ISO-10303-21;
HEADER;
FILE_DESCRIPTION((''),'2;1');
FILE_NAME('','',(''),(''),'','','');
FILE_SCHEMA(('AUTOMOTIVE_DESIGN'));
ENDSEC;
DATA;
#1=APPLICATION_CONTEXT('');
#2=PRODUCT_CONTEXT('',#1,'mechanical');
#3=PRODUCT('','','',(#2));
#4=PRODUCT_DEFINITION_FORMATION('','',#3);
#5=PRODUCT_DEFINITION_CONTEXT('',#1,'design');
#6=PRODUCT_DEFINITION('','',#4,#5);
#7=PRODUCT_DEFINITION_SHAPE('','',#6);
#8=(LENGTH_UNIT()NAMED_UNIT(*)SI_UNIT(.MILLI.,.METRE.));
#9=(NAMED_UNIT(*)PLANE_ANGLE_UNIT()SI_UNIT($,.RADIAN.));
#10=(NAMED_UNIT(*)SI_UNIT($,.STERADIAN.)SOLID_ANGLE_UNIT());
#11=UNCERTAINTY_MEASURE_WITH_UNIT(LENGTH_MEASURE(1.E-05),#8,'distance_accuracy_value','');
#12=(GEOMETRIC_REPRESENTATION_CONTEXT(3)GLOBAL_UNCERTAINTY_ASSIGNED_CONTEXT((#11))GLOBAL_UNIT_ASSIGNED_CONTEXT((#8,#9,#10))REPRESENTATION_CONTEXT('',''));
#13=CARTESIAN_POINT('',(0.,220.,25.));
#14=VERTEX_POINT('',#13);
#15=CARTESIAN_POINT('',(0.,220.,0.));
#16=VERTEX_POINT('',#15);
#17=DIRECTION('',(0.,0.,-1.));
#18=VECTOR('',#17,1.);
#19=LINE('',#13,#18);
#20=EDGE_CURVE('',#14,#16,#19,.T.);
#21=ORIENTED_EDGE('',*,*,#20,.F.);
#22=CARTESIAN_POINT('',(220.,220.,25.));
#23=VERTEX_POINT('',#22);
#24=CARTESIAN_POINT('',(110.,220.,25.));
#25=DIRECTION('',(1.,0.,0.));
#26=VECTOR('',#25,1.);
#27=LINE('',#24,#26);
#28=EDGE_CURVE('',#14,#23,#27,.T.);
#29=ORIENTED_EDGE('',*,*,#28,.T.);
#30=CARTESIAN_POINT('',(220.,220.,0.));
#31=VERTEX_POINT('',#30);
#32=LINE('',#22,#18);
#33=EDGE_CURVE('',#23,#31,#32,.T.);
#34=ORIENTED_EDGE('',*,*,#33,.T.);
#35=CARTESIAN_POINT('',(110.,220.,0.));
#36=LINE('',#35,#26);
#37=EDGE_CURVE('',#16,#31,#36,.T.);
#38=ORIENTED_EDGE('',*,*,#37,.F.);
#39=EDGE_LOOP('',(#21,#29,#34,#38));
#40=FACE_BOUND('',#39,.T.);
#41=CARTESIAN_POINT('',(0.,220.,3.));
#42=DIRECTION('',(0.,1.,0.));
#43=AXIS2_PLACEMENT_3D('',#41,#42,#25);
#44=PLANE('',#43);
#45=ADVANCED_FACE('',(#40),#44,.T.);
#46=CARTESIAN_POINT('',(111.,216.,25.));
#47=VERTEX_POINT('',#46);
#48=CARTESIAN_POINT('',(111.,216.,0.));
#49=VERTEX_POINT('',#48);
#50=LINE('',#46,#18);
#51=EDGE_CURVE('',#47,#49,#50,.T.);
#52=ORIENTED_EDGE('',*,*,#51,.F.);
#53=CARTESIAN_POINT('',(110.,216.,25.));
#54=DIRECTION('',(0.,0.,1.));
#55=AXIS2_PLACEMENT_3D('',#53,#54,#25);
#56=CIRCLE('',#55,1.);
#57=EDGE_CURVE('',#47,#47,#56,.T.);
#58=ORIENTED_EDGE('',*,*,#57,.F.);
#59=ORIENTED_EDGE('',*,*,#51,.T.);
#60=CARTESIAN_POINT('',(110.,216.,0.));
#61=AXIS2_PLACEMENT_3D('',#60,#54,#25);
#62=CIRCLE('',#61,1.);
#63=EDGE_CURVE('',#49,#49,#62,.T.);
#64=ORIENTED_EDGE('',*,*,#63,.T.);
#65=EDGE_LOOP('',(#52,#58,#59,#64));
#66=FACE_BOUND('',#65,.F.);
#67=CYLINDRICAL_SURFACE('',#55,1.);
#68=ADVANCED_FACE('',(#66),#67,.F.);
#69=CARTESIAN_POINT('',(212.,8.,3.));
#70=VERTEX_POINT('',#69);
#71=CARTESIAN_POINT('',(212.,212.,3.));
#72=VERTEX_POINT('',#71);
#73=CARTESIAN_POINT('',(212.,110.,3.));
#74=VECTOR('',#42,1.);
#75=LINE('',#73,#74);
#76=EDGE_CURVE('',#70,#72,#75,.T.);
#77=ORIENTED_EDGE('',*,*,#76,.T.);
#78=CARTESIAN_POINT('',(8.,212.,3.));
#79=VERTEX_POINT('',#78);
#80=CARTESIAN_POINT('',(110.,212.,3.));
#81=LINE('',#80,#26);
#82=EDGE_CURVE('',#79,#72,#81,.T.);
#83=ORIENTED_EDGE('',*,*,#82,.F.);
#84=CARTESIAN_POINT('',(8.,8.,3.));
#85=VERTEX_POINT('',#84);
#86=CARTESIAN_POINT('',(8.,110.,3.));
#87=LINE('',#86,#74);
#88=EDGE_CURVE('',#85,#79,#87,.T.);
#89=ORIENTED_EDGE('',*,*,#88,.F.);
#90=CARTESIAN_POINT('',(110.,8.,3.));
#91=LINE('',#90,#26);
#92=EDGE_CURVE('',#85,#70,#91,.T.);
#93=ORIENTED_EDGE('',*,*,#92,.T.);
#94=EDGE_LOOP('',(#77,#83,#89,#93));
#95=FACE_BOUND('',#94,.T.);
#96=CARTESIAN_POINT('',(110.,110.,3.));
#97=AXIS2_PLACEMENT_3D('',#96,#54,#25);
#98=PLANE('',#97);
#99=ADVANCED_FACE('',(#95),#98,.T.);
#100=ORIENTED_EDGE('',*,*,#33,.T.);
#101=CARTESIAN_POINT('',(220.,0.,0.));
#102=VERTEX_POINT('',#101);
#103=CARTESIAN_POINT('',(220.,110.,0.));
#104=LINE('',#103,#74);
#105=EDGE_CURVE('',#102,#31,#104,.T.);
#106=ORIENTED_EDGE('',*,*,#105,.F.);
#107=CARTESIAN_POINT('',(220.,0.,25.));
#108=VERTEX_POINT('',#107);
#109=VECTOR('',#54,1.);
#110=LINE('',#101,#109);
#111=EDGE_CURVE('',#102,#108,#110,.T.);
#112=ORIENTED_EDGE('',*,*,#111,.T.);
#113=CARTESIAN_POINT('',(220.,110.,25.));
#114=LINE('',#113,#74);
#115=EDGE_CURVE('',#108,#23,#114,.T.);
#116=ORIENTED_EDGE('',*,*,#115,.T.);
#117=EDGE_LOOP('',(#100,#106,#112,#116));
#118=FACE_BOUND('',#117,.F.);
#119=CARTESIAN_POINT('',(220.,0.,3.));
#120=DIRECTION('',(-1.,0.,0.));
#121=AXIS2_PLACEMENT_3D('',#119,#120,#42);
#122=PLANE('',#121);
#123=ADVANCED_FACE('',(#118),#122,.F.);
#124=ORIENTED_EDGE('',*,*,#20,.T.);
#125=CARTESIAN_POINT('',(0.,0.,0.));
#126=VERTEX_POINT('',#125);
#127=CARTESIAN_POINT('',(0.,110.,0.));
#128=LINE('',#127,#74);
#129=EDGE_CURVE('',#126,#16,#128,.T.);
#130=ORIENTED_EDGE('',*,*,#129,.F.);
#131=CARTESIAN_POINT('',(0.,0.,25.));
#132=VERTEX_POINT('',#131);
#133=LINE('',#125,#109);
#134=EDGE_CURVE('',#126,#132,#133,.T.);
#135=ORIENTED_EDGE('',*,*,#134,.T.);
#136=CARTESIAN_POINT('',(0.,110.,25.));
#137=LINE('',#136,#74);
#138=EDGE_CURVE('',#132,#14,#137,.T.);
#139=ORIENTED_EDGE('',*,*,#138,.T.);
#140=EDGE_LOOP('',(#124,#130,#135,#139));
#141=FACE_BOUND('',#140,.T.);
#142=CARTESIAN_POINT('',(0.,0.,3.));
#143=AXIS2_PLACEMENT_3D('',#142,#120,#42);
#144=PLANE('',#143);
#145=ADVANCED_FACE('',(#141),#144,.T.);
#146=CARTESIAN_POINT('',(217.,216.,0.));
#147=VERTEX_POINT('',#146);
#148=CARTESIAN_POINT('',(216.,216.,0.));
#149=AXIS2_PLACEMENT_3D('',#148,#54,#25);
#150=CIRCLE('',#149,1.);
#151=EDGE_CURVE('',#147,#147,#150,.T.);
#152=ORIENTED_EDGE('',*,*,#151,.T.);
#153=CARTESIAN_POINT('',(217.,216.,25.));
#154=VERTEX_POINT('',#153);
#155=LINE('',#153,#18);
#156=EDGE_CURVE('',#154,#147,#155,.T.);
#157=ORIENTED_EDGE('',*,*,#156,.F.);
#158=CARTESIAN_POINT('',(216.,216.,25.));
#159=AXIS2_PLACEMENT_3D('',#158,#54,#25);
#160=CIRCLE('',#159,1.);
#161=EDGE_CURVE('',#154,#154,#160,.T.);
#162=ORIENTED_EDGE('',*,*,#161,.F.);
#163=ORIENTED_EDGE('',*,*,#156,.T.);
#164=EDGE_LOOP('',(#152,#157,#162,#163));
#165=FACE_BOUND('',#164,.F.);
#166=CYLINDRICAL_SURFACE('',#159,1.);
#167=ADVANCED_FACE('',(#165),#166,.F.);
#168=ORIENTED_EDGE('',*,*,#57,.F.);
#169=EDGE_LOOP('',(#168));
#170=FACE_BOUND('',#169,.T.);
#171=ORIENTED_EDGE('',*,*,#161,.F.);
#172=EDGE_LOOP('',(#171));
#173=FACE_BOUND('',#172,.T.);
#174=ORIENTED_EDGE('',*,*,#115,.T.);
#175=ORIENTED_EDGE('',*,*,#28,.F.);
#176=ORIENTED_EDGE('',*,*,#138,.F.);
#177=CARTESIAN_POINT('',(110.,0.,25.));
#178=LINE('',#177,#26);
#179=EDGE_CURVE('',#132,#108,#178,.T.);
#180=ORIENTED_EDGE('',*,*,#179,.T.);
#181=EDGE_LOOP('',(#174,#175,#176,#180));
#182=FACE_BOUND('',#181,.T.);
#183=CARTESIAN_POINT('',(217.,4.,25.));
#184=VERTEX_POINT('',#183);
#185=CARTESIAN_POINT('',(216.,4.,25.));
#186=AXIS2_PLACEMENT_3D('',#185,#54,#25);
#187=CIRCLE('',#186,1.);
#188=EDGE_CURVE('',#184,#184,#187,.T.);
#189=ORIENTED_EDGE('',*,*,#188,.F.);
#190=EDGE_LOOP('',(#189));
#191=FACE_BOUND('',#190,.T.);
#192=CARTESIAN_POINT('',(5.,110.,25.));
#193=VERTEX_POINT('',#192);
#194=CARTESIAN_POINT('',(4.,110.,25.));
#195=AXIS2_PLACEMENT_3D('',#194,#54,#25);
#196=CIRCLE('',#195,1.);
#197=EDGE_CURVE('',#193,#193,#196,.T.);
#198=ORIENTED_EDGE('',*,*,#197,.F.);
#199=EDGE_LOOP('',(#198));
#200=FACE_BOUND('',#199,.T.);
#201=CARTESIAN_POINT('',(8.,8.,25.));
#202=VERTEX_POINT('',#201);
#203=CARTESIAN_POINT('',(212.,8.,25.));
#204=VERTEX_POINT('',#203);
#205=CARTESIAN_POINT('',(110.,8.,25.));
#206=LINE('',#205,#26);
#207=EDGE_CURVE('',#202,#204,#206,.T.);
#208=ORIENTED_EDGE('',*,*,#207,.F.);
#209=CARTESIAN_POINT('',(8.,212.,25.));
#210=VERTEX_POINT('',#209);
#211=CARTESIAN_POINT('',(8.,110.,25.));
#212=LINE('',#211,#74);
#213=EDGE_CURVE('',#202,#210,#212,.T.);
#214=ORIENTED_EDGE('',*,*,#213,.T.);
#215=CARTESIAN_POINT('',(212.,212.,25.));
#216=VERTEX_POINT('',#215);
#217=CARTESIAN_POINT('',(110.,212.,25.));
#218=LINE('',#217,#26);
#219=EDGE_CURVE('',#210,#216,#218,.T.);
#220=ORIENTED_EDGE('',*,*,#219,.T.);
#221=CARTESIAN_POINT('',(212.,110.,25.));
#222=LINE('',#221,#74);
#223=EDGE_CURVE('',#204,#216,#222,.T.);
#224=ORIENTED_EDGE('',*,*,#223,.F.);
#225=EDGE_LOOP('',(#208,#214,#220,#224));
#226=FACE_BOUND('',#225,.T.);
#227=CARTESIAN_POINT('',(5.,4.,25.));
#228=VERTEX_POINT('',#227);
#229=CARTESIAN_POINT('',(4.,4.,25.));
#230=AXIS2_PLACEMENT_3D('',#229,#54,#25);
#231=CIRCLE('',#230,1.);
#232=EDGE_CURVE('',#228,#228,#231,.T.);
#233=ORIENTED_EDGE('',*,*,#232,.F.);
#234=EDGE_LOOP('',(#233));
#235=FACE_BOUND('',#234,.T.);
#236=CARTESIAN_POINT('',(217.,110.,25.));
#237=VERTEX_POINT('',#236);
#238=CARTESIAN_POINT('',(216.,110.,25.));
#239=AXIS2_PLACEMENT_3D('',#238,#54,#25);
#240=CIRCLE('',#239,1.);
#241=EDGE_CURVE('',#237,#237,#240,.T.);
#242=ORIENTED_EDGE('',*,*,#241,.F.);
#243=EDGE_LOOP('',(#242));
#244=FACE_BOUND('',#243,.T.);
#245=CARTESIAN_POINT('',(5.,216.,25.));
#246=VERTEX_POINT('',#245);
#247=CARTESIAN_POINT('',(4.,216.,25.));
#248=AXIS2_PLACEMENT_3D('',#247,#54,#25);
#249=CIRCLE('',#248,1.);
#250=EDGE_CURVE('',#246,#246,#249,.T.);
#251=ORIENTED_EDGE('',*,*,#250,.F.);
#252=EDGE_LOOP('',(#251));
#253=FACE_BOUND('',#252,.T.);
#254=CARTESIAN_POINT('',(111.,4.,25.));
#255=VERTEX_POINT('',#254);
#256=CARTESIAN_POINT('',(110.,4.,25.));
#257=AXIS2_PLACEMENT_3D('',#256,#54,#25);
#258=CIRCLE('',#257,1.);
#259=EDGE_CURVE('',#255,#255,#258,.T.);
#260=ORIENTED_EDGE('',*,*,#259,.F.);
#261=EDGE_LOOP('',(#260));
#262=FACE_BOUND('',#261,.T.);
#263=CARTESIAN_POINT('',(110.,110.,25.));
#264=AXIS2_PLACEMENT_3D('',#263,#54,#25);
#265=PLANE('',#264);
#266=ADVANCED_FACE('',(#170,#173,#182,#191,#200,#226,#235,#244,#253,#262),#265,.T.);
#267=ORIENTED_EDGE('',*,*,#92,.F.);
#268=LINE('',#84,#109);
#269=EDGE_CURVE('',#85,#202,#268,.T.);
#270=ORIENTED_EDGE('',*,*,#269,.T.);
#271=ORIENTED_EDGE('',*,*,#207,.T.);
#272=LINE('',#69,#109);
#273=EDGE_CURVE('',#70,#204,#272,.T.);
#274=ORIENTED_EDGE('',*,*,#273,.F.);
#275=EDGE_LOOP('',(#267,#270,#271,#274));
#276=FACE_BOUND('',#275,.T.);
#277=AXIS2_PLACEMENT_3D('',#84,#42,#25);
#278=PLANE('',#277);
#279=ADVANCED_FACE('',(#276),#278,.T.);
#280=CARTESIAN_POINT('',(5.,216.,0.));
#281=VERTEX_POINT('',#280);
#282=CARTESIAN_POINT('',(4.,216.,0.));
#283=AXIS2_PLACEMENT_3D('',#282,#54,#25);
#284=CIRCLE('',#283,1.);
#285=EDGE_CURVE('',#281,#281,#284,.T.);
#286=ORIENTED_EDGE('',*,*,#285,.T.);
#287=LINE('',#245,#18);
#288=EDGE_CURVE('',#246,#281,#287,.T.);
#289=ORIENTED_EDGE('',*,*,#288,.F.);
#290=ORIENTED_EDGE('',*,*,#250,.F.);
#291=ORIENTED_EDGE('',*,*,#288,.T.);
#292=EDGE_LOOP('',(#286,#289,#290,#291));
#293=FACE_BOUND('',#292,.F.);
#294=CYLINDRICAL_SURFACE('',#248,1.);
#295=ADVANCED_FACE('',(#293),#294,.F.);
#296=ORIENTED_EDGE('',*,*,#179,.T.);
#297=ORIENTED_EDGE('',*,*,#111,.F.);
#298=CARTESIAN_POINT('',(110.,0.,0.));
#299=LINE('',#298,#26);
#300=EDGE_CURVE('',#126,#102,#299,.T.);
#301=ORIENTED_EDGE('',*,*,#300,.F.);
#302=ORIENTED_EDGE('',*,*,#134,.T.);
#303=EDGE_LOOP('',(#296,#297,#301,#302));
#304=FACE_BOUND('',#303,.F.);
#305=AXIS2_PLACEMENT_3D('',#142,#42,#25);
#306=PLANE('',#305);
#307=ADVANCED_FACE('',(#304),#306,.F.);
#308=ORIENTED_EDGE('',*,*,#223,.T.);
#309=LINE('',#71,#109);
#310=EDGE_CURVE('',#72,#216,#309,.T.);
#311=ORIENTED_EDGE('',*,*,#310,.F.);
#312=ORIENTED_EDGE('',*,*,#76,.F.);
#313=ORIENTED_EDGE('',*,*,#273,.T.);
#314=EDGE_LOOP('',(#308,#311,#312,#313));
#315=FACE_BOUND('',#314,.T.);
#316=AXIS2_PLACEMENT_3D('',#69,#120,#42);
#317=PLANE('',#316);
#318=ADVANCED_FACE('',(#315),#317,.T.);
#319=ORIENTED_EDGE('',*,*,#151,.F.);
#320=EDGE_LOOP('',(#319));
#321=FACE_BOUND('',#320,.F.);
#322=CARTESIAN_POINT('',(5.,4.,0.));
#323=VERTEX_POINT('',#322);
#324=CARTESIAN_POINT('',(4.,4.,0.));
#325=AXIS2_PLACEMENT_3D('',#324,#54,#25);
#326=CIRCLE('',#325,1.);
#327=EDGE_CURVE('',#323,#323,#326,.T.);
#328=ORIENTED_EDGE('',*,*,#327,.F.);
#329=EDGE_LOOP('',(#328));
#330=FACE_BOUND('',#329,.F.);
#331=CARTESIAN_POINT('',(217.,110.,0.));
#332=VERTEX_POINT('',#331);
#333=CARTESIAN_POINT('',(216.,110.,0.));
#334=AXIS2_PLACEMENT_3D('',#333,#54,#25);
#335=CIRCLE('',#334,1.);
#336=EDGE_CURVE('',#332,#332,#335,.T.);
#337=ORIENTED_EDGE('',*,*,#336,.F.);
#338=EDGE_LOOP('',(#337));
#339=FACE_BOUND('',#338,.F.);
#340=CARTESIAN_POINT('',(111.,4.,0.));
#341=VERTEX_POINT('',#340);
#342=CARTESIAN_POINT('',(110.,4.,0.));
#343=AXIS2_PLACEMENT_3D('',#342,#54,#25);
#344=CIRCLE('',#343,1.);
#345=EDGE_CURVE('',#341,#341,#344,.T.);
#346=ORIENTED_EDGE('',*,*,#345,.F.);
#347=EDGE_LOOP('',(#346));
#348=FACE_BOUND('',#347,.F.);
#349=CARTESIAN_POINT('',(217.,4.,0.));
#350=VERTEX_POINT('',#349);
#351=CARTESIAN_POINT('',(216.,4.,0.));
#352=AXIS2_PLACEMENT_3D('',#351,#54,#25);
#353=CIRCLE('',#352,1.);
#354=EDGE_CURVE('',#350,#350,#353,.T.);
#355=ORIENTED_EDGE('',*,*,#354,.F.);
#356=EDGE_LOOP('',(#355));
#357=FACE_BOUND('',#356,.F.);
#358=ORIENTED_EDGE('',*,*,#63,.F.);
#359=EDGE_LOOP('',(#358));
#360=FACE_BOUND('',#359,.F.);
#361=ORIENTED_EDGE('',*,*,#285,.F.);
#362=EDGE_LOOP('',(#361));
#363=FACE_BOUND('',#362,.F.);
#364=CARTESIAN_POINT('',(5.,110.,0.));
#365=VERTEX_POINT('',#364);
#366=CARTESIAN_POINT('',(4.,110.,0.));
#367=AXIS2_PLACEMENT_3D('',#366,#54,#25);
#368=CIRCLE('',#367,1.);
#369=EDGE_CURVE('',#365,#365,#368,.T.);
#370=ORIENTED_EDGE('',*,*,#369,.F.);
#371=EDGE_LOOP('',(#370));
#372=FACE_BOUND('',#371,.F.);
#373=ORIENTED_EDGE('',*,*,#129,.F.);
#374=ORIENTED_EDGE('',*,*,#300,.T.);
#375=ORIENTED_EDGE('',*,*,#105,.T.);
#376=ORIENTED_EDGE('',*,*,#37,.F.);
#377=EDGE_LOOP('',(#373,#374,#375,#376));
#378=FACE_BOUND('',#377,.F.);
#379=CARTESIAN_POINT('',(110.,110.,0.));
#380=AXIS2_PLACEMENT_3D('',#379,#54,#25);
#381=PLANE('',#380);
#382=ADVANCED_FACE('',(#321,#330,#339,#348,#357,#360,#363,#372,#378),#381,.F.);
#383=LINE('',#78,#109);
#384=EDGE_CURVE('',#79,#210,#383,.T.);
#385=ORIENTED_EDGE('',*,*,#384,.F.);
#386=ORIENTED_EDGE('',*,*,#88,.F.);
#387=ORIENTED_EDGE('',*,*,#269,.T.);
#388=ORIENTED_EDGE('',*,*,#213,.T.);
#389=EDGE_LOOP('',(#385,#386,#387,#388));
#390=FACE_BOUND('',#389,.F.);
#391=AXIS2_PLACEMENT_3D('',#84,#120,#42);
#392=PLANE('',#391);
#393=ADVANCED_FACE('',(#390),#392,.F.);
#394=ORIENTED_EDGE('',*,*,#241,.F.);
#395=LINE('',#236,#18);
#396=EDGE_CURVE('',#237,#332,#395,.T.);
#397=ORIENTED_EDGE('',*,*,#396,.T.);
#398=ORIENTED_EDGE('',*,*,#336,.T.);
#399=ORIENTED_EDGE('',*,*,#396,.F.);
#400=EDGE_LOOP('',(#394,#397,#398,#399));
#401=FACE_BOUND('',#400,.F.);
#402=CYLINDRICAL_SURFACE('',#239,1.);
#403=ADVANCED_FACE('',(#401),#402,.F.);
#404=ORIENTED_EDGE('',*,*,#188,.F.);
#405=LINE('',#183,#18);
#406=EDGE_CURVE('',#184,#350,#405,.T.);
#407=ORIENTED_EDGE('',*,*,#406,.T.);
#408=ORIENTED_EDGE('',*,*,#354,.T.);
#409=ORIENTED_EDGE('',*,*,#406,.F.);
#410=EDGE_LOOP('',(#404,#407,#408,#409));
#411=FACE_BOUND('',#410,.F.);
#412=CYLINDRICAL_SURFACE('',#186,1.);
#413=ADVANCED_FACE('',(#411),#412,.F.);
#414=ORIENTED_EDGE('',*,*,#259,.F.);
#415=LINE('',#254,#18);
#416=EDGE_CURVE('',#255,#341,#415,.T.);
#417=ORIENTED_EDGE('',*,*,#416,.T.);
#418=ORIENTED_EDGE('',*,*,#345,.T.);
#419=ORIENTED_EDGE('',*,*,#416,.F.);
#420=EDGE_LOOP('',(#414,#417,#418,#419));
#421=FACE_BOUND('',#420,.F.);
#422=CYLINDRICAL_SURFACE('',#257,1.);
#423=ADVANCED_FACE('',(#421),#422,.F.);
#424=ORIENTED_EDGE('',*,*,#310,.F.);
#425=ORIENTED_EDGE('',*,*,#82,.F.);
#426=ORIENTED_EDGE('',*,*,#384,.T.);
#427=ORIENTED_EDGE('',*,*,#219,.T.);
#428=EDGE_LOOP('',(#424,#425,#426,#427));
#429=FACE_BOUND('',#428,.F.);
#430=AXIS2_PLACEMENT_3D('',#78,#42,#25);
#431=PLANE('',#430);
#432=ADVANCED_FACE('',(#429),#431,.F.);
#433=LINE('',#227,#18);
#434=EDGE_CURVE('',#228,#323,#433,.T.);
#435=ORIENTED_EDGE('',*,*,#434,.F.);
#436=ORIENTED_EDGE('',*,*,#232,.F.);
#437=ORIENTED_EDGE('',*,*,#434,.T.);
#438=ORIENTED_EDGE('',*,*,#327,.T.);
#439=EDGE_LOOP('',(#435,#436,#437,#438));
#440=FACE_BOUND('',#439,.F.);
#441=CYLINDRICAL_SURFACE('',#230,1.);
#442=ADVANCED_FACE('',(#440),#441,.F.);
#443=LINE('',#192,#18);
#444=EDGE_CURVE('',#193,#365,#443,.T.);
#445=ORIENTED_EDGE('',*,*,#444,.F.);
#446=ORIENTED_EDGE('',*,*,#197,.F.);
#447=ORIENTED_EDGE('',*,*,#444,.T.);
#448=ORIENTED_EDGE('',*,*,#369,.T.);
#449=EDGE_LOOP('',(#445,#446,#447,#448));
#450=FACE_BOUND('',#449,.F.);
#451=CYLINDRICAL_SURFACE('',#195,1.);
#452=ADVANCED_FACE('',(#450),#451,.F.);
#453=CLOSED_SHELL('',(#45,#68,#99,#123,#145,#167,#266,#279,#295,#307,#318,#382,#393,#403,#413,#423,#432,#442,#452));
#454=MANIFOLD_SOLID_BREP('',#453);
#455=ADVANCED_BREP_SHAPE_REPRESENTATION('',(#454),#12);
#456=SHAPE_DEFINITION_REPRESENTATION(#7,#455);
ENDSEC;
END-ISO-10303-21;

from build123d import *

# Parameters (mm, degrees)
SKETCH1_W           = 220
SKETCH1_H           = 220
BOSS_EXTRUDE1_DEPTH = 3
SKETCH2_W           = 220
SKETCH2_H           = 220
SKETCH2_W_2         = 204
SKETCH2_H_2         = 204
BOSS_EXTRUDE3_DEPTH = 22
SKETCH3_R           = 1
CUT_EXTRUDE1_DEPTH  = 313.1297807


with BuildPart() as part:
    # Sketch1 → Boss-Extrude1 (new body)
    with BuildSketch(Plane.XY):
        with Locations((110, 110)):
            Rectangle(SKETCH1_W, SKETCH1_H)
    extrude(amount=BOSS_EXTRUDE1_DEPTH)

    # Sketch2 → Boss-Extrude3 (add)
    with BuildSketch(Plane.XY.offset(3)):
        with Locations((110, 110)):
            Rectangle(SKETCH2_W, SKETCH2_H)
        with Locations((110, 110)):
            Rectangle(SKETCH2_W_2, SKETCH2_H_2, mode=Mode.SUBTRACT)
    extrude(amount=BOSS_EXTRUDE3_DEPTH)

    # Sketch3 → Cut-Extrude1 (cut, through all)
    with BuildSketch(Plane.XY.offset(25)):
        with Locations((4, 216)):
            Circle(SKETCH3_R)
        with Locations((110, 216)):
            Circle(SKETCH3_R)
        with Locations((216, 216)):
            Circle(SKETCH3_R)
        with Locations((216, 110)):
            Circle(SKETCH3_R)
        with Locations((216, 4)):
            Circle(SKETCH3_R)
        with Locations((110, 4)):
            Circle(SKETCH3_R)
        with Locations((4, 4)):
            Circle(SKETCH3_R)
        with Locations((4, 110)):
            Circle(SKETCH3_R)
    extrude(amount=-CUT_EXTRUDE1_DEPTH, mode=Mode.SUBTRACT)


solid = part.part
